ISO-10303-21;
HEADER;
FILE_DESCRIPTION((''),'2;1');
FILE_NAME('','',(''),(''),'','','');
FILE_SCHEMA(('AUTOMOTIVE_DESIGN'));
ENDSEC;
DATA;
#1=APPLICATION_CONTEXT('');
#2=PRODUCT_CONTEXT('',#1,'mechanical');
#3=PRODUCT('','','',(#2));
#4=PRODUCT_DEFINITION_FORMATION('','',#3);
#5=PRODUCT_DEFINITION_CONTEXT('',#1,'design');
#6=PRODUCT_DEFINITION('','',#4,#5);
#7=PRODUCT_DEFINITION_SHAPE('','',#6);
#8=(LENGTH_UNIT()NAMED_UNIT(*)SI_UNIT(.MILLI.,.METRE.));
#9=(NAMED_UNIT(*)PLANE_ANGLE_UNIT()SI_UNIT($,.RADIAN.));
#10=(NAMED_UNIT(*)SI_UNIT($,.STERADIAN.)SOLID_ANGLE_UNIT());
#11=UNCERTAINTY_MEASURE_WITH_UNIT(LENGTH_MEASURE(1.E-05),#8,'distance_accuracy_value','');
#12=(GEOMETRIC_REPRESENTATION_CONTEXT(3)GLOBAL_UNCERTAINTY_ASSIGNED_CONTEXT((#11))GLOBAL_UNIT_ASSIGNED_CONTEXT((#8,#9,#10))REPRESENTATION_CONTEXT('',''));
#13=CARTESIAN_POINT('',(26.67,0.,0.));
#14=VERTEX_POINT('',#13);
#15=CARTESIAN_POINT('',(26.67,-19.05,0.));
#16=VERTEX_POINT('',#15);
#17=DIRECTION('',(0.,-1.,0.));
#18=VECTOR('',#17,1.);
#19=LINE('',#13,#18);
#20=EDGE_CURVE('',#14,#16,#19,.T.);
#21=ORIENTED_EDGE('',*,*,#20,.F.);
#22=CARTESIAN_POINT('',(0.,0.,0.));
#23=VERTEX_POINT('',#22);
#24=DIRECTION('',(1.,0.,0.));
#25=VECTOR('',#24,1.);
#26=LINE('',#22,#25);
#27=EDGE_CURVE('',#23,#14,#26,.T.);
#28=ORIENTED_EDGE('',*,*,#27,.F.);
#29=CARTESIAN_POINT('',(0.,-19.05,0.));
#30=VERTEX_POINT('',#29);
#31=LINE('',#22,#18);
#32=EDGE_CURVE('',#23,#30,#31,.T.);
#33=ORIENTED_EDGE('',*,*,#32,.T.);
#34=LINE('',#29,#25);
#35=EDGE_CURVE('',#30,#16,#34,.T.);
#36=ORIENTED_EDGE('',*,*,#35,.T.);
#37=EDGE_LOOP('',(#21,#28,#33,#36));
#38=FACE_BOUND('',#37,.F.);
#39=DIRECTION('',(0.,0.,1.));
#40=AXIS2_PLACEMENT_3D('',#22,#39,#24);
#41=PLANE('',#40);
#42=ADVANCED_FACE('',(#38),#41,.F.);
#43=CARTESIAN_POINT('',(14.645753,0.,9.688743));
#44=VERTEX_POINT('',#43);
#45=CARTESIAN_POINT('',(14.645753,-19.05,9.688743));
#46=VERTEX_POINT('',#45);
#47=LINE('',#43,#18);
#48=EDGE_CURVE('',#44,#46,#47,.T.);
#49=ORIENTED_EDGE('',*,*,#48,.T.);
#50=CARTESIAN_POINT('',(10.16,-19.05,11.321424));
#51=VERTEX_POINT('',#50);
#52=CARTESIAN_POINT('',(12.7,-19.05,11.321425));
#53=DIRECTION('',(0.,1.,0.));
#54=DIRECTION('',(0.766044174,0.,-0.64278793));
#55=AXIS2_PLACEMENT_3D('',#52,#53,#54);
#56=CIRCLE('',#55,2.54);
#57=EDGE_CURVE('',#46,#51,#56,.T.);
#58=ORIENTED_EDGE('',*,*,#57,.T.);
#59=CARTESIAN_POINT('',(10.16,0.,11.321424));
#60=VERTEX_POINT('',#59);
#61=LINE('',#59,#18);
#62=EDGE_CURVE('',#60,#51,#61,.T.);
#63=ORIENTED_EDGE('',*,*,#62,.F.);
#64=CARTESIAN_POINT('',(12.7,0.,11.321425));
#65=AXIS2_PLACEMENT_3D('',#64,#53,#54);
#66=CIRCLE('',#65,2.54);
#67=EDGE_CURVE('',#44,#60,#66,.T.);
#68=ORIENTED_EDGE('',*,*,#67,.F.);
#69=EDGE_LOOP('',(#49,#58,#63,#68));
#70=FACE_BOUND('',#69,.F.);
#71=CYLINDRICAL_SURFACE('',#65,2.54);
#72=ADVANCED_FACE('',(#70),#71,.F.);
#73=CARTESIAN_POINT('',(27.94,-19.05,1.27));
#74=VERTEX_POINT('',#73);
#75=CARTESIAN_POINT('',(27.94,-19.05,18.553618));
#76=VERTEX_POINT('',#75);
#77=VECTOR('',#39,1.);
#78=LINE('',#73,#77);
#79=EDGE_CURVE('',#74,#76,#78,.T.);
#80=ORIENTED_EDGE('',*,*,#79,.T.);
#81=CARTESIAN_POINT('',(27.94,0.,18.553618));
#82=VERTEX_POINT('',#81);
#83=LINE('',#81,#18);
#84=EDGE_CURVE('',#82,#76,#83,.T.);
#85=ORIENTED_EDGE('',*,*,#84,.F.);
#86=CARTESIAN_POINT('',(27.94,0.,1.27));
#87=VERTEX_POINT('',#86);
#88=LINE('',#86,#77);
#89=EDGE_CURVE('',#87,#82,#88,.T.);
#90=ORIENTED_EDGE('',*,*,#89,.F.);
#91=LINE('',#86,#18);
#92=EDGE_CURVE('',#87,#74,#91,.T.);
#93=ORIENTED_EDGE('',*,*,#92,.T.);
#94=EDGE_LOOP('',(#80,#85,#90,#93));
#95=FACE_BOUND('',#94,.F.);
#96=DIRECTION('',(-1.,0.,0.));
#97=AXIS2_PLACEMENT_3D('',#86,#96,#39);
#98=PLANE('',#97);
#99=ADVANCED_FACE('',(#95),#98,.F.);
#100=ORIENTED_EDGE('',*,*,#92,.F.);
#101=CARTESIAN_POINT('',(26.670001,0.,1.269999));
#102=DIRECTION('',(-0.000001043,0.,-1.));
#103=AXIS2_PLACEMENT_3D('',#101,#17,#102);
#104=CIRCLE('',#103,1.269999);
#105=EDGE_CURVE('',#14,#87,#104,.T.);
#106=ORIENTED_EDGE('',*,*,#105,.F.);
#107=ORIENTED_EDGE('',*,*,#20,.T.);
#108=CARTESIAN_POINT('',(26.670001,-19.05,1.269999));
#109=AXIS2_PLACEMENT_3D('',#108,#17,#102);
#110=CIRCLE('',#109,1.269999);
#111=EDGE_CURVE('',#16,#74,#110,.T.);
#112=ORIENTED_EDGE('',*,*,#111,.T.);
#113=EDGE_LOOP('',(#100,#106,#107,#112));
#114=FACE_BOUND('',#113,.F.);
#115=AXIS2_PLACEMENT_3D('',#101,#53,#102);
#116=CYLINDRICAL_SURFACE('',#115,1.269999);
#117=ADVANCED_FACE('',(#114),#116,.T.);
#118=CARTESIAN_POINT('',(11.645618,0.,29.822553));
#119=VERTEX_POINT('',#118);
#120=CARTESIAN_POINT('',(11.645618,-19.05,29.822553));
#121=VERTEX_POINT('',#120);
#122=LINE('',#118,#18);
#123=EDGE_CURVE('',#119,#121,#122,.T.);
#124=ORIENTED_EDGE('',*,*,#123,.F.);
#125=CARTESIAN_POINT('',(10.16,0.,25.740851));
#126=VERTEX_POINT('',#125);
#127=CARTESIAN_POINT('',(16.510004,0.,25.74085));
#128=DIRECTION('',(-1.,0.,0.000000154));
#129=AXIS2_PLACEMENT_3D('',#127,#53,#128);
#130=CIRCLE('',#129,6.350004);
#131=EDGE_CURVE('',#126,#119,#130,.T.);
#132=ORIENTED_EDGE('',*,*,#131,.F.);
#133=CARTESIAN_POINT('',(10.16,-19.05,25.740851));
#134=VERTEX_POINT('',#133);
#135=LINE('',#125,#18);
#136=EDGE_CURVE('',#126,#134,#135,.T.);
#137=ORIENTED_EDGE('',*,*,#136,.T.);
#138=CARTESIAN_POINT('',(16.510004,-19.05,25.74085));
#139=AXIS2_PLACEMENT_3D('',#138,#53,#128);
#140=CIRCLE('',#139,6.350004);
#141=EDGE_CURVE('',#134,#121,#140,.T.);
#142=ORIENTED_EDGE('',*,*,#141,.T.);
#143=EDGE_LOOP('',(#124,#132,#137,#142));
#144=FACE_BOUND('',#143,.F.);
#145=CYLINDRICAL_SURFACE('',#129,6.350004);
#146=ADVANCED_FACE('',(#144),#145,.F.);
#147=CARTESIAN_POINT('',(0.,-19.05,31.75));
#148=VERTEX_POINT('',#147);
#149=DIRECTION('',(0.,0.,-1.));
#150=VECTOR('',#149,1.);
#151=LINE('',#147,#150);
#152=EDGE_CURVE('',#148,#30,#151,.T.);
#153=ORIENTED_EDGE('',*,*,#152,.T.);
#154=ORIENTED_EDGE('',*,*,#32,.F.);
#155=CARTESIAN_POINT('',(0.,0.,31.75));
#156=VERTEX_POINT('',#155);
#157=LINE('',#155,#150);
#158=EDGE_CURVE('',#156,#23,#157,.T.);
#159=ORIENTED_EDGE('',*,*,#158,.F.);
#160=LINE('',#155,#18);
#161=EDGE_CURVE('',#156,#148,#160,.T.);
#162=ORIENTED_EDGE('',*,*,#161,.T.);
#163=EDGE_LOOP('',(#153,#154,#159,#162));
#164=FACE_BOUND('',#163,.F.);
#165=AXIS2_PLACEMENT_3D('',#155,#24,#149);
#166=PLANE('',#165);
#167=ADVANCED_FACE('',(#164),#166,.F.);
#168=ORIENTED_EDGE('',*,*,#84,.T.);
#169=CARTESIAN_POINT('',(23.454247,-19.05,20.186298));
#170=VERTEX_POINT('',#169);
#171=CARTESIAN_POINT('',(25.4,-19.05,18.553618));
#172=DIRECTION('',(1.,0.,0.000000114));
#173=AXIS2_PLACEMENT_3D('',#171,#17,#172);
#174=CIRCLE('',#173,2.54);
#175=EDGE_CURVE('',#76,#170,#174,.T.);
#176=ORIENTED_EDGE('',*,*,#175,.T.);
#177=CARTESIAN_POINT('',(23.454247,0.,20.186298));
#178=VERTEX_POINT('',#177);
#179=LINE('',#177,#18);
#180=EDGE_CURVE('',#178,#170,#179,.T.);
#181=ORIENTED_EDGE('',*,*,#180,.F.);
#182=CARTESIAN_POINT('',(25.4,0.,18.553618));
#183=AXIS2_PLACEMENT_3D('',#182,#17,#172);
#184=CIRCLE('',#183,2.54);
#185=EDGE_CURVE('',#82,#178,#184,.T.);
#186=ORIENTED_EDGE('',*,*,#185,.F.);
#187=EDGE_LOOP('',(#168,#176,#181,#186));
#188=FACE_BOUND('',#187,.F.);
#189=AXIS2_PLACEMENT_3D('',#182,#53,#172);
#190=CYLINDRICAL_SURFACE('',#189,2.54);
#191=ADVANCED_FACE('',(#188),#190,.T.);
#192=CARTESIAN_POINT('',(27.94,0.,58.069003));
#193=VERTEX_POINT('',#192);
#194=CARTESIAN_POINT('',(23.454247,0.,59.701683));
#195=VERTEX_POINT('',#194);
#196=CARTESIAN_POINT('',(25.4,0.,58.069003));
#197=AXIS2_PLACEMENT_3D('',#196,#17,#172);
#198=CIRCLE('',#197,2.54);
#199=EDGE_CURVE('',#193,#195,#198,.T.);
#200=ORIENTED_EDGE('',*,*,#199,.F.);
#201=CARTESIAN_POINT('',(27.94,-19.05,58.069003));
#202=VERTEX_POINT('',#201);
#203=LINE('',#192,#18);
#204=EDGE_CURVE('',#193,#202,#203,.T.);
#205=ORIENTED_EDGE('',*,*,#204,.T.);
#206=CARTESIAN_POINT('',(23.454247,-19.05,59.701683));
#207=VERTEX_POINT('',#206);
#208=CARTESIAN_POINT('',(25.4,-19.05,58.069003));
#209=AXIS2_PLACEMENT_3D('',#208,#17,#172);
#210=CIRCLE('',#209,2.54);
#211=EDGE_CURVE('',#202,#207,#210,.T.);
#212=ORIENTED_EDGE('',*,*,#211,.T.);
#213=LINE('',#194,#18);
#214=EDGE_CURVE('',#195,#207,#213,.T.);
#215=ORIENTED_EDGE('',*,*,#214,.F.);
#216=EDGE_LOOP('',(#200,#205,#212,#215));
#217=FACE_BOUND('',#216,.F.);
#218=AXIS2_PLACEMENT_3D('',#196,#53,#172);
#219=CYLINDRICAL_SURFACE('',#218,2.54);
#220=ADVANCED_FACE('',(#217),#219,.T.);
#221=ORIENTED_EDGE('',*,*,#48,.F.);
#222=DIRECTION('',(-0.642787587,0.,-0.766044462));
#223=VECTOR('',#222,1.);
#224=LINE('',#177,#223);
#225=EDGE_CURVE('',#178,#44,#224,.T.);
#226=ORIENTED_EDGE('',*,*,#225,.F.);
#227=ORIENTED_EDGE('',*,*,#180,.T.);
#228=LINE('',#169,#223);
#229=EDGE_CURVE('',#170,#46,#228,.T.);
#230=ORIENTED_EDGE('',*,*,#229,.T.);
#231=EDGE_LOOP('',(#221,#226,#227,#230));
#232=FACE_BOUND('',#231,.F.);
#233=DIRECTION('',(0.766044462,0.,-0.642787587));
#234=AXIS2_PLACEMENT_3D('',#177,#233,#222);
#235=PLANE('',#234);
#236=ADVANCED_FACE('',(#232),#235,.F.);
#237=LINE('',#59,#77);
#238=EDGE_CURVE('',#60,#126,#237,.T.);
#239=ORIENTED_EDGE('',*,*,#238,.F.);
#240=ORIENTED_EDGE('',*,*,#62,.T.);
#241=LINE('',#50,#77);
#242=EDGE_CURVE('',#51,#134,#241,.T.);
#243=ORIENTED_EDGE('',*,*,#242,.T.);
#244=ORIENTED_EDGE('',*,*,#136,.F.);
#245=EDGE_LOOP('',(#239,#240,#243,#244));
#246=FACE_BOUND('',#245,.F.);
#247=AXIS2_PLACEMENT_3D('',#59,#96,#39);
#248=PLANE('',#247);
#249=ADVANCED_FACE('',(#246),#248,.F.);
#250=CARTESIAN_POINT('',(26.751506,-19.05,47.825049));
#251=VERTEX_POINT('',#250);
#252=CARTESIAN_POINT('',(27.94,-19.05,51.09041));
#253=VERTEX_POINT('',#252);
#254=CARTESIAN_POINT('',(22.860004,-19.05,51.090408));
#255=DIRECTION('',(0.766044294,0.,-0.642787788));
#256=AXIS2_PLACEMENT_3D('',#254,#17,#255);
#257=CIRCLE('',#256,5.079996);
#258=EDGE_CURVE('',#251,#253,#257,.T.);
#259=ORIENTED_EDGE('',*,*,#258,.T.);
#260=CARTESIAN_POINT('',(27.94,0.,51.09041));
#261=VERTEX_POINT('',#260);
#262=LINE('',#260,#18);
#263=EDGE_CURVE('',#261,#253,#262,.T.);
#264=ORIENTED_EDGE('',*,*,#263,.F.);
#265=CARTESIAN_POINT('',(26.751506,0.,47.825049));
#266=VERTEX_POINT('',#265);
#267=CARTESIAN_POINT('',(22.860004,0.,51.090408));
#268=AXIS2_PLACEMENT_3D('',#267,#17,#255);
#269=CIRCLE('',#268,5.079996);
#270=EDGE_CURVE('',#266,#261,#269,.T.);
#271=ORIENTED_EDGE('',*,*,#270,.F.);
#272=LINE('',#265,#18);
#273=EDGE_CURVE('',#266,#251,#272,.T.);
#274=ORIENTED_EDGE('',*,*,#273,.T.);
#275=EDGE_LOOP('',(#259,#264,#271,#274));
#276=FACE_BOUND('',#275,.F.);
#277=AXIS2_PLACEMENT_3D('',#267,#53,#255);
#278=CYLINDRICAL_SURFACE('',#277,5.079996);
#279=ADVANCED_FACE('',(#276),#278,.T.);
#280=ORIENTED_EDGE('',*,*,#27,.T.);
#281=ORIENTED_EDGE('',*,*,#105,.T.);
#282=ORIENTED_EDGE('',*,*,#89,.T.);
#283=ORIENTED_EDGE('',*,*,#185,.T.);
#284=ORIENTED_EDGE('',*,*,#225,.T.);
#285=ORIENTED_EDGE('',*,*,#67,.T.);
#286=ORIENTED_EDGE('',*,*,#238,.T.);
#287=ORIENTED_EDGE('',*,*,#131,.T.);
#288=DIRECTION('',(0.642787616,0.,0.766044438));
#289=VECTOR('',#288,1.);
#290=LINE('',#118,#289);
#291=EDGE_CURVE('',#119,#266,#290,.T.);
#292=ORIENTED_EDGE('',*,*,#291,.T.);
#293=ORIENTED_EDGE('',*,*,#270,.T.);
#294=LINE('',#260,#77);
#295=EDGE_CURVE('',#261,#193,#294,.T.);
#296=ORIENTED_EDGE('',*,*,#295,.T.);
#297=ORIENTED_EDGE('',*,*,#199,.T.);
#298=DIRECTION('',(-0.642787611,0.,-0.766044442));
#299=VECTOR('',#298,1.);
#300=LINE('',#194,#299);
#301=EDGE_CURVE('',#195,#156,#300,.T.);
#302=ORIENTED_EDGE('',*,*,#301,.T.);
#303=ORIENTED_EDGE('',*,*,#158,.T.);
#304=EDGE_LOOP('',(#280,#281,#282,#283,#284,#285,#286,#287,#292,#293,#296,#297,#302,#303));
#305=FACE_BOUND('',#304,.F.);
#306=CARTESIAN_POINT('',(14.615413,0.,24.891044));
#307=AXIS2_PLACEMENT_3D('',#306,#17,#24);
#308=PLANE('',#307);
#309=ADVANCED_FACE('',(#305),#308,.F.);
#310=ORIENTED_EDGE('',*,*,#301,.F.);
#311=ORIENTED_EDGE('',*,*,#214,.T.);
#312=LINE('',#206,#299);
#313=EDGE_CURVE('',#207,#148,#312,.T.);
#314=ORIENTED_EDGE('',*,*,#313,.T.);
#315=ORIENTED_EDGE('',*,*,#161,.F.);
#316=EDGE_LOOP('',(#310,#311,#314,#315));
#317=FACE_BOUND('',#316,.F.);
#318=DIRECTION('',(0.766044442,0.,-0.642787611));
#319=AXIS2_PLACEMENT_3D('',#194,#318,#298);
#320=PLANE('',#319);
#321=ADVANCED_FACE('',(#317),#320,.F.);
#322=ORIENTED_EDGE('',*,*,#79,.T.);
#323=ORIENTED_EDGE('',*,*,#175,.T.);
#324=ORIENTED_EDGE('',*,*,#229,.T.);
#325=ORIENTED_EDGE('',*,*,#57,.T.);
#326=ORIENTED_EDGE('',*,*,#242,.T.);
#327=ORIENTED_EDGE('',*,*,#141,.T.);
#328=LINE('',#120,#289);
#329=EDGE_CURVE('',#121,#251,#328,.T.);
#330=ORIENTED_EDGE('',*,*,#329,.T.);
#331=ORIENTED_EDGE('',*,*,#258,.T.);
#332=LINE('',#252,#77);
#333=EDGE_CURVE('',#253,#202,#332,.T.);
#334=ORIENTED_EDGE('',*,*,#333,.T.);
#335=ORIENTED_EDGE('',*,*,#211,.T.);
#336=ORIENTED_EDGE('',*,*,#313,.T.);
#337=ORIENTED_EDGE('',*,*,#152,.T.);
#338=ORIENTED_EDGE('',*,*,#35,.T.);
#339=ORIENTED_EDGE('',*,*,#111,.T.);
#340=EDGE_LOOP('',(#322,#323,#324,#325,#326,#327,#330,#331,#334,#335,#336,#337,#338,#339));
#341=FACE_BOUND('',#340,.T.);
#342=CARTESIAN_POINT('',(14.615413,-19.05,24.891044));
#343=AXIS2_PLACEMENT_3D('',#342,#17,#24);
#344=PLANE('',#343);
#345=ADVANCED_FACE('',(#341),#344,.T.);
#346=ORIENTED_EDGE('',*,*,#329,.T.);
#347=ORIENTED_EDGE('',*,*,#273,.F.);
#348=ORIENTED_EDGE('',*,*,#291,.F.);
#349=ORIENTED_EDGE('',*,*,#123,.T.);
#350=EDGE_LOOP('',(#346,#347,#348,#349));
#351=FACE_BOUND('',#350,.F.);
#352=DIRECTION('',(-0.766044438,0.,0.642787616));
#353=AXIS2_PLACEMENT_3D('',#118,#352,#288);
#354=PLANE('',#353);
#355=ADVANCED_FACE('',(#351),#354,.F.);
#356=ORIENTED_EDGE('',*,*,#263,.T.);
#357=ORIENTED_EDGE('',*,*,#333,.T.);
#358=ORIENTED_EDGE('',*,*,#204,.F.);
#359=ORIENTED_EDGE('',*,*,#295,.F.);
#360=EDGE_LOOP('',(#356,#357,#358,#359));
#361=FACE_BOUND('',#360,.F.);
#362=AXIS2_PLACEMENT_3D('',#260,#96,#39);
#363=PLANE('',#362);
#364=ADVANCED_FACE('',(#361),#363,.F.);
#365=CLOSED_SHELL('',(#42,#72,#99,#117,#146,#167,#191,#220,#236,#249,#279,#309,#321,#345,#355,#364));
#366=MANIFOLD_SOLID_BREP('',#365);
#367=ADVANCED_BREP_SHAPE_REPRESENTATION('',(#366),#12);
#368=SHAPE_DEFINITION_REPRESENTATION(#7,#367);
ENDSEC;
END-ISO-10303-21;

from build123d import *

# Parameters (mm, degrees)
F1_DEPTH = 19.05


with BuildPart() as f1:
    # F0 (on Front) → F1 (new body)
    with BuildSketch(Plane.XZ):
        with BuildLine():
            Line((0, 31.75), (0, 0))
            Line((0, 0), (26.67, 0))
            ThreePointArc((26.67, 0), (27.568026, 0.371974), (27.94, 1.27))
            Line((27.94, 1.27), (27.94, 18.553618))
            ThreePointArc((27.94, 18.553618), (26.268731, 20.940437), (23.454247, 20.186298))
            Line((23.454247, 20.186298), (14.645753, 9.688743))
            ThreePointArc((14.645753, 9.688743), (11.831269, 8.934605), (10.16, 11.321424))
            Line((10.16, 11.321424), (10.16, 25.740851))
            ThreePointArc((10.16, 25.740851), (10.542952, 27.912679), (11.645618, 29.822553))
            Line((11.645618, 29.822553), (26.751506, 47.825049))
            ThreePointArc((26.751506, 47.825049), (27.633639, 49.352948), (27.94, 51.09041))
            Line((27.94, 51.09041), (27.94, 58.069003))
            ThreePointArc((27.94, 58.069003), (26.268731, 60.455822), (23.454247, 59.701683))
            Line((23.454247, 59.701683), (0, 31.75))
        make_face()
    extrude(amount=F1_DEPTH)


solid = f1.part
